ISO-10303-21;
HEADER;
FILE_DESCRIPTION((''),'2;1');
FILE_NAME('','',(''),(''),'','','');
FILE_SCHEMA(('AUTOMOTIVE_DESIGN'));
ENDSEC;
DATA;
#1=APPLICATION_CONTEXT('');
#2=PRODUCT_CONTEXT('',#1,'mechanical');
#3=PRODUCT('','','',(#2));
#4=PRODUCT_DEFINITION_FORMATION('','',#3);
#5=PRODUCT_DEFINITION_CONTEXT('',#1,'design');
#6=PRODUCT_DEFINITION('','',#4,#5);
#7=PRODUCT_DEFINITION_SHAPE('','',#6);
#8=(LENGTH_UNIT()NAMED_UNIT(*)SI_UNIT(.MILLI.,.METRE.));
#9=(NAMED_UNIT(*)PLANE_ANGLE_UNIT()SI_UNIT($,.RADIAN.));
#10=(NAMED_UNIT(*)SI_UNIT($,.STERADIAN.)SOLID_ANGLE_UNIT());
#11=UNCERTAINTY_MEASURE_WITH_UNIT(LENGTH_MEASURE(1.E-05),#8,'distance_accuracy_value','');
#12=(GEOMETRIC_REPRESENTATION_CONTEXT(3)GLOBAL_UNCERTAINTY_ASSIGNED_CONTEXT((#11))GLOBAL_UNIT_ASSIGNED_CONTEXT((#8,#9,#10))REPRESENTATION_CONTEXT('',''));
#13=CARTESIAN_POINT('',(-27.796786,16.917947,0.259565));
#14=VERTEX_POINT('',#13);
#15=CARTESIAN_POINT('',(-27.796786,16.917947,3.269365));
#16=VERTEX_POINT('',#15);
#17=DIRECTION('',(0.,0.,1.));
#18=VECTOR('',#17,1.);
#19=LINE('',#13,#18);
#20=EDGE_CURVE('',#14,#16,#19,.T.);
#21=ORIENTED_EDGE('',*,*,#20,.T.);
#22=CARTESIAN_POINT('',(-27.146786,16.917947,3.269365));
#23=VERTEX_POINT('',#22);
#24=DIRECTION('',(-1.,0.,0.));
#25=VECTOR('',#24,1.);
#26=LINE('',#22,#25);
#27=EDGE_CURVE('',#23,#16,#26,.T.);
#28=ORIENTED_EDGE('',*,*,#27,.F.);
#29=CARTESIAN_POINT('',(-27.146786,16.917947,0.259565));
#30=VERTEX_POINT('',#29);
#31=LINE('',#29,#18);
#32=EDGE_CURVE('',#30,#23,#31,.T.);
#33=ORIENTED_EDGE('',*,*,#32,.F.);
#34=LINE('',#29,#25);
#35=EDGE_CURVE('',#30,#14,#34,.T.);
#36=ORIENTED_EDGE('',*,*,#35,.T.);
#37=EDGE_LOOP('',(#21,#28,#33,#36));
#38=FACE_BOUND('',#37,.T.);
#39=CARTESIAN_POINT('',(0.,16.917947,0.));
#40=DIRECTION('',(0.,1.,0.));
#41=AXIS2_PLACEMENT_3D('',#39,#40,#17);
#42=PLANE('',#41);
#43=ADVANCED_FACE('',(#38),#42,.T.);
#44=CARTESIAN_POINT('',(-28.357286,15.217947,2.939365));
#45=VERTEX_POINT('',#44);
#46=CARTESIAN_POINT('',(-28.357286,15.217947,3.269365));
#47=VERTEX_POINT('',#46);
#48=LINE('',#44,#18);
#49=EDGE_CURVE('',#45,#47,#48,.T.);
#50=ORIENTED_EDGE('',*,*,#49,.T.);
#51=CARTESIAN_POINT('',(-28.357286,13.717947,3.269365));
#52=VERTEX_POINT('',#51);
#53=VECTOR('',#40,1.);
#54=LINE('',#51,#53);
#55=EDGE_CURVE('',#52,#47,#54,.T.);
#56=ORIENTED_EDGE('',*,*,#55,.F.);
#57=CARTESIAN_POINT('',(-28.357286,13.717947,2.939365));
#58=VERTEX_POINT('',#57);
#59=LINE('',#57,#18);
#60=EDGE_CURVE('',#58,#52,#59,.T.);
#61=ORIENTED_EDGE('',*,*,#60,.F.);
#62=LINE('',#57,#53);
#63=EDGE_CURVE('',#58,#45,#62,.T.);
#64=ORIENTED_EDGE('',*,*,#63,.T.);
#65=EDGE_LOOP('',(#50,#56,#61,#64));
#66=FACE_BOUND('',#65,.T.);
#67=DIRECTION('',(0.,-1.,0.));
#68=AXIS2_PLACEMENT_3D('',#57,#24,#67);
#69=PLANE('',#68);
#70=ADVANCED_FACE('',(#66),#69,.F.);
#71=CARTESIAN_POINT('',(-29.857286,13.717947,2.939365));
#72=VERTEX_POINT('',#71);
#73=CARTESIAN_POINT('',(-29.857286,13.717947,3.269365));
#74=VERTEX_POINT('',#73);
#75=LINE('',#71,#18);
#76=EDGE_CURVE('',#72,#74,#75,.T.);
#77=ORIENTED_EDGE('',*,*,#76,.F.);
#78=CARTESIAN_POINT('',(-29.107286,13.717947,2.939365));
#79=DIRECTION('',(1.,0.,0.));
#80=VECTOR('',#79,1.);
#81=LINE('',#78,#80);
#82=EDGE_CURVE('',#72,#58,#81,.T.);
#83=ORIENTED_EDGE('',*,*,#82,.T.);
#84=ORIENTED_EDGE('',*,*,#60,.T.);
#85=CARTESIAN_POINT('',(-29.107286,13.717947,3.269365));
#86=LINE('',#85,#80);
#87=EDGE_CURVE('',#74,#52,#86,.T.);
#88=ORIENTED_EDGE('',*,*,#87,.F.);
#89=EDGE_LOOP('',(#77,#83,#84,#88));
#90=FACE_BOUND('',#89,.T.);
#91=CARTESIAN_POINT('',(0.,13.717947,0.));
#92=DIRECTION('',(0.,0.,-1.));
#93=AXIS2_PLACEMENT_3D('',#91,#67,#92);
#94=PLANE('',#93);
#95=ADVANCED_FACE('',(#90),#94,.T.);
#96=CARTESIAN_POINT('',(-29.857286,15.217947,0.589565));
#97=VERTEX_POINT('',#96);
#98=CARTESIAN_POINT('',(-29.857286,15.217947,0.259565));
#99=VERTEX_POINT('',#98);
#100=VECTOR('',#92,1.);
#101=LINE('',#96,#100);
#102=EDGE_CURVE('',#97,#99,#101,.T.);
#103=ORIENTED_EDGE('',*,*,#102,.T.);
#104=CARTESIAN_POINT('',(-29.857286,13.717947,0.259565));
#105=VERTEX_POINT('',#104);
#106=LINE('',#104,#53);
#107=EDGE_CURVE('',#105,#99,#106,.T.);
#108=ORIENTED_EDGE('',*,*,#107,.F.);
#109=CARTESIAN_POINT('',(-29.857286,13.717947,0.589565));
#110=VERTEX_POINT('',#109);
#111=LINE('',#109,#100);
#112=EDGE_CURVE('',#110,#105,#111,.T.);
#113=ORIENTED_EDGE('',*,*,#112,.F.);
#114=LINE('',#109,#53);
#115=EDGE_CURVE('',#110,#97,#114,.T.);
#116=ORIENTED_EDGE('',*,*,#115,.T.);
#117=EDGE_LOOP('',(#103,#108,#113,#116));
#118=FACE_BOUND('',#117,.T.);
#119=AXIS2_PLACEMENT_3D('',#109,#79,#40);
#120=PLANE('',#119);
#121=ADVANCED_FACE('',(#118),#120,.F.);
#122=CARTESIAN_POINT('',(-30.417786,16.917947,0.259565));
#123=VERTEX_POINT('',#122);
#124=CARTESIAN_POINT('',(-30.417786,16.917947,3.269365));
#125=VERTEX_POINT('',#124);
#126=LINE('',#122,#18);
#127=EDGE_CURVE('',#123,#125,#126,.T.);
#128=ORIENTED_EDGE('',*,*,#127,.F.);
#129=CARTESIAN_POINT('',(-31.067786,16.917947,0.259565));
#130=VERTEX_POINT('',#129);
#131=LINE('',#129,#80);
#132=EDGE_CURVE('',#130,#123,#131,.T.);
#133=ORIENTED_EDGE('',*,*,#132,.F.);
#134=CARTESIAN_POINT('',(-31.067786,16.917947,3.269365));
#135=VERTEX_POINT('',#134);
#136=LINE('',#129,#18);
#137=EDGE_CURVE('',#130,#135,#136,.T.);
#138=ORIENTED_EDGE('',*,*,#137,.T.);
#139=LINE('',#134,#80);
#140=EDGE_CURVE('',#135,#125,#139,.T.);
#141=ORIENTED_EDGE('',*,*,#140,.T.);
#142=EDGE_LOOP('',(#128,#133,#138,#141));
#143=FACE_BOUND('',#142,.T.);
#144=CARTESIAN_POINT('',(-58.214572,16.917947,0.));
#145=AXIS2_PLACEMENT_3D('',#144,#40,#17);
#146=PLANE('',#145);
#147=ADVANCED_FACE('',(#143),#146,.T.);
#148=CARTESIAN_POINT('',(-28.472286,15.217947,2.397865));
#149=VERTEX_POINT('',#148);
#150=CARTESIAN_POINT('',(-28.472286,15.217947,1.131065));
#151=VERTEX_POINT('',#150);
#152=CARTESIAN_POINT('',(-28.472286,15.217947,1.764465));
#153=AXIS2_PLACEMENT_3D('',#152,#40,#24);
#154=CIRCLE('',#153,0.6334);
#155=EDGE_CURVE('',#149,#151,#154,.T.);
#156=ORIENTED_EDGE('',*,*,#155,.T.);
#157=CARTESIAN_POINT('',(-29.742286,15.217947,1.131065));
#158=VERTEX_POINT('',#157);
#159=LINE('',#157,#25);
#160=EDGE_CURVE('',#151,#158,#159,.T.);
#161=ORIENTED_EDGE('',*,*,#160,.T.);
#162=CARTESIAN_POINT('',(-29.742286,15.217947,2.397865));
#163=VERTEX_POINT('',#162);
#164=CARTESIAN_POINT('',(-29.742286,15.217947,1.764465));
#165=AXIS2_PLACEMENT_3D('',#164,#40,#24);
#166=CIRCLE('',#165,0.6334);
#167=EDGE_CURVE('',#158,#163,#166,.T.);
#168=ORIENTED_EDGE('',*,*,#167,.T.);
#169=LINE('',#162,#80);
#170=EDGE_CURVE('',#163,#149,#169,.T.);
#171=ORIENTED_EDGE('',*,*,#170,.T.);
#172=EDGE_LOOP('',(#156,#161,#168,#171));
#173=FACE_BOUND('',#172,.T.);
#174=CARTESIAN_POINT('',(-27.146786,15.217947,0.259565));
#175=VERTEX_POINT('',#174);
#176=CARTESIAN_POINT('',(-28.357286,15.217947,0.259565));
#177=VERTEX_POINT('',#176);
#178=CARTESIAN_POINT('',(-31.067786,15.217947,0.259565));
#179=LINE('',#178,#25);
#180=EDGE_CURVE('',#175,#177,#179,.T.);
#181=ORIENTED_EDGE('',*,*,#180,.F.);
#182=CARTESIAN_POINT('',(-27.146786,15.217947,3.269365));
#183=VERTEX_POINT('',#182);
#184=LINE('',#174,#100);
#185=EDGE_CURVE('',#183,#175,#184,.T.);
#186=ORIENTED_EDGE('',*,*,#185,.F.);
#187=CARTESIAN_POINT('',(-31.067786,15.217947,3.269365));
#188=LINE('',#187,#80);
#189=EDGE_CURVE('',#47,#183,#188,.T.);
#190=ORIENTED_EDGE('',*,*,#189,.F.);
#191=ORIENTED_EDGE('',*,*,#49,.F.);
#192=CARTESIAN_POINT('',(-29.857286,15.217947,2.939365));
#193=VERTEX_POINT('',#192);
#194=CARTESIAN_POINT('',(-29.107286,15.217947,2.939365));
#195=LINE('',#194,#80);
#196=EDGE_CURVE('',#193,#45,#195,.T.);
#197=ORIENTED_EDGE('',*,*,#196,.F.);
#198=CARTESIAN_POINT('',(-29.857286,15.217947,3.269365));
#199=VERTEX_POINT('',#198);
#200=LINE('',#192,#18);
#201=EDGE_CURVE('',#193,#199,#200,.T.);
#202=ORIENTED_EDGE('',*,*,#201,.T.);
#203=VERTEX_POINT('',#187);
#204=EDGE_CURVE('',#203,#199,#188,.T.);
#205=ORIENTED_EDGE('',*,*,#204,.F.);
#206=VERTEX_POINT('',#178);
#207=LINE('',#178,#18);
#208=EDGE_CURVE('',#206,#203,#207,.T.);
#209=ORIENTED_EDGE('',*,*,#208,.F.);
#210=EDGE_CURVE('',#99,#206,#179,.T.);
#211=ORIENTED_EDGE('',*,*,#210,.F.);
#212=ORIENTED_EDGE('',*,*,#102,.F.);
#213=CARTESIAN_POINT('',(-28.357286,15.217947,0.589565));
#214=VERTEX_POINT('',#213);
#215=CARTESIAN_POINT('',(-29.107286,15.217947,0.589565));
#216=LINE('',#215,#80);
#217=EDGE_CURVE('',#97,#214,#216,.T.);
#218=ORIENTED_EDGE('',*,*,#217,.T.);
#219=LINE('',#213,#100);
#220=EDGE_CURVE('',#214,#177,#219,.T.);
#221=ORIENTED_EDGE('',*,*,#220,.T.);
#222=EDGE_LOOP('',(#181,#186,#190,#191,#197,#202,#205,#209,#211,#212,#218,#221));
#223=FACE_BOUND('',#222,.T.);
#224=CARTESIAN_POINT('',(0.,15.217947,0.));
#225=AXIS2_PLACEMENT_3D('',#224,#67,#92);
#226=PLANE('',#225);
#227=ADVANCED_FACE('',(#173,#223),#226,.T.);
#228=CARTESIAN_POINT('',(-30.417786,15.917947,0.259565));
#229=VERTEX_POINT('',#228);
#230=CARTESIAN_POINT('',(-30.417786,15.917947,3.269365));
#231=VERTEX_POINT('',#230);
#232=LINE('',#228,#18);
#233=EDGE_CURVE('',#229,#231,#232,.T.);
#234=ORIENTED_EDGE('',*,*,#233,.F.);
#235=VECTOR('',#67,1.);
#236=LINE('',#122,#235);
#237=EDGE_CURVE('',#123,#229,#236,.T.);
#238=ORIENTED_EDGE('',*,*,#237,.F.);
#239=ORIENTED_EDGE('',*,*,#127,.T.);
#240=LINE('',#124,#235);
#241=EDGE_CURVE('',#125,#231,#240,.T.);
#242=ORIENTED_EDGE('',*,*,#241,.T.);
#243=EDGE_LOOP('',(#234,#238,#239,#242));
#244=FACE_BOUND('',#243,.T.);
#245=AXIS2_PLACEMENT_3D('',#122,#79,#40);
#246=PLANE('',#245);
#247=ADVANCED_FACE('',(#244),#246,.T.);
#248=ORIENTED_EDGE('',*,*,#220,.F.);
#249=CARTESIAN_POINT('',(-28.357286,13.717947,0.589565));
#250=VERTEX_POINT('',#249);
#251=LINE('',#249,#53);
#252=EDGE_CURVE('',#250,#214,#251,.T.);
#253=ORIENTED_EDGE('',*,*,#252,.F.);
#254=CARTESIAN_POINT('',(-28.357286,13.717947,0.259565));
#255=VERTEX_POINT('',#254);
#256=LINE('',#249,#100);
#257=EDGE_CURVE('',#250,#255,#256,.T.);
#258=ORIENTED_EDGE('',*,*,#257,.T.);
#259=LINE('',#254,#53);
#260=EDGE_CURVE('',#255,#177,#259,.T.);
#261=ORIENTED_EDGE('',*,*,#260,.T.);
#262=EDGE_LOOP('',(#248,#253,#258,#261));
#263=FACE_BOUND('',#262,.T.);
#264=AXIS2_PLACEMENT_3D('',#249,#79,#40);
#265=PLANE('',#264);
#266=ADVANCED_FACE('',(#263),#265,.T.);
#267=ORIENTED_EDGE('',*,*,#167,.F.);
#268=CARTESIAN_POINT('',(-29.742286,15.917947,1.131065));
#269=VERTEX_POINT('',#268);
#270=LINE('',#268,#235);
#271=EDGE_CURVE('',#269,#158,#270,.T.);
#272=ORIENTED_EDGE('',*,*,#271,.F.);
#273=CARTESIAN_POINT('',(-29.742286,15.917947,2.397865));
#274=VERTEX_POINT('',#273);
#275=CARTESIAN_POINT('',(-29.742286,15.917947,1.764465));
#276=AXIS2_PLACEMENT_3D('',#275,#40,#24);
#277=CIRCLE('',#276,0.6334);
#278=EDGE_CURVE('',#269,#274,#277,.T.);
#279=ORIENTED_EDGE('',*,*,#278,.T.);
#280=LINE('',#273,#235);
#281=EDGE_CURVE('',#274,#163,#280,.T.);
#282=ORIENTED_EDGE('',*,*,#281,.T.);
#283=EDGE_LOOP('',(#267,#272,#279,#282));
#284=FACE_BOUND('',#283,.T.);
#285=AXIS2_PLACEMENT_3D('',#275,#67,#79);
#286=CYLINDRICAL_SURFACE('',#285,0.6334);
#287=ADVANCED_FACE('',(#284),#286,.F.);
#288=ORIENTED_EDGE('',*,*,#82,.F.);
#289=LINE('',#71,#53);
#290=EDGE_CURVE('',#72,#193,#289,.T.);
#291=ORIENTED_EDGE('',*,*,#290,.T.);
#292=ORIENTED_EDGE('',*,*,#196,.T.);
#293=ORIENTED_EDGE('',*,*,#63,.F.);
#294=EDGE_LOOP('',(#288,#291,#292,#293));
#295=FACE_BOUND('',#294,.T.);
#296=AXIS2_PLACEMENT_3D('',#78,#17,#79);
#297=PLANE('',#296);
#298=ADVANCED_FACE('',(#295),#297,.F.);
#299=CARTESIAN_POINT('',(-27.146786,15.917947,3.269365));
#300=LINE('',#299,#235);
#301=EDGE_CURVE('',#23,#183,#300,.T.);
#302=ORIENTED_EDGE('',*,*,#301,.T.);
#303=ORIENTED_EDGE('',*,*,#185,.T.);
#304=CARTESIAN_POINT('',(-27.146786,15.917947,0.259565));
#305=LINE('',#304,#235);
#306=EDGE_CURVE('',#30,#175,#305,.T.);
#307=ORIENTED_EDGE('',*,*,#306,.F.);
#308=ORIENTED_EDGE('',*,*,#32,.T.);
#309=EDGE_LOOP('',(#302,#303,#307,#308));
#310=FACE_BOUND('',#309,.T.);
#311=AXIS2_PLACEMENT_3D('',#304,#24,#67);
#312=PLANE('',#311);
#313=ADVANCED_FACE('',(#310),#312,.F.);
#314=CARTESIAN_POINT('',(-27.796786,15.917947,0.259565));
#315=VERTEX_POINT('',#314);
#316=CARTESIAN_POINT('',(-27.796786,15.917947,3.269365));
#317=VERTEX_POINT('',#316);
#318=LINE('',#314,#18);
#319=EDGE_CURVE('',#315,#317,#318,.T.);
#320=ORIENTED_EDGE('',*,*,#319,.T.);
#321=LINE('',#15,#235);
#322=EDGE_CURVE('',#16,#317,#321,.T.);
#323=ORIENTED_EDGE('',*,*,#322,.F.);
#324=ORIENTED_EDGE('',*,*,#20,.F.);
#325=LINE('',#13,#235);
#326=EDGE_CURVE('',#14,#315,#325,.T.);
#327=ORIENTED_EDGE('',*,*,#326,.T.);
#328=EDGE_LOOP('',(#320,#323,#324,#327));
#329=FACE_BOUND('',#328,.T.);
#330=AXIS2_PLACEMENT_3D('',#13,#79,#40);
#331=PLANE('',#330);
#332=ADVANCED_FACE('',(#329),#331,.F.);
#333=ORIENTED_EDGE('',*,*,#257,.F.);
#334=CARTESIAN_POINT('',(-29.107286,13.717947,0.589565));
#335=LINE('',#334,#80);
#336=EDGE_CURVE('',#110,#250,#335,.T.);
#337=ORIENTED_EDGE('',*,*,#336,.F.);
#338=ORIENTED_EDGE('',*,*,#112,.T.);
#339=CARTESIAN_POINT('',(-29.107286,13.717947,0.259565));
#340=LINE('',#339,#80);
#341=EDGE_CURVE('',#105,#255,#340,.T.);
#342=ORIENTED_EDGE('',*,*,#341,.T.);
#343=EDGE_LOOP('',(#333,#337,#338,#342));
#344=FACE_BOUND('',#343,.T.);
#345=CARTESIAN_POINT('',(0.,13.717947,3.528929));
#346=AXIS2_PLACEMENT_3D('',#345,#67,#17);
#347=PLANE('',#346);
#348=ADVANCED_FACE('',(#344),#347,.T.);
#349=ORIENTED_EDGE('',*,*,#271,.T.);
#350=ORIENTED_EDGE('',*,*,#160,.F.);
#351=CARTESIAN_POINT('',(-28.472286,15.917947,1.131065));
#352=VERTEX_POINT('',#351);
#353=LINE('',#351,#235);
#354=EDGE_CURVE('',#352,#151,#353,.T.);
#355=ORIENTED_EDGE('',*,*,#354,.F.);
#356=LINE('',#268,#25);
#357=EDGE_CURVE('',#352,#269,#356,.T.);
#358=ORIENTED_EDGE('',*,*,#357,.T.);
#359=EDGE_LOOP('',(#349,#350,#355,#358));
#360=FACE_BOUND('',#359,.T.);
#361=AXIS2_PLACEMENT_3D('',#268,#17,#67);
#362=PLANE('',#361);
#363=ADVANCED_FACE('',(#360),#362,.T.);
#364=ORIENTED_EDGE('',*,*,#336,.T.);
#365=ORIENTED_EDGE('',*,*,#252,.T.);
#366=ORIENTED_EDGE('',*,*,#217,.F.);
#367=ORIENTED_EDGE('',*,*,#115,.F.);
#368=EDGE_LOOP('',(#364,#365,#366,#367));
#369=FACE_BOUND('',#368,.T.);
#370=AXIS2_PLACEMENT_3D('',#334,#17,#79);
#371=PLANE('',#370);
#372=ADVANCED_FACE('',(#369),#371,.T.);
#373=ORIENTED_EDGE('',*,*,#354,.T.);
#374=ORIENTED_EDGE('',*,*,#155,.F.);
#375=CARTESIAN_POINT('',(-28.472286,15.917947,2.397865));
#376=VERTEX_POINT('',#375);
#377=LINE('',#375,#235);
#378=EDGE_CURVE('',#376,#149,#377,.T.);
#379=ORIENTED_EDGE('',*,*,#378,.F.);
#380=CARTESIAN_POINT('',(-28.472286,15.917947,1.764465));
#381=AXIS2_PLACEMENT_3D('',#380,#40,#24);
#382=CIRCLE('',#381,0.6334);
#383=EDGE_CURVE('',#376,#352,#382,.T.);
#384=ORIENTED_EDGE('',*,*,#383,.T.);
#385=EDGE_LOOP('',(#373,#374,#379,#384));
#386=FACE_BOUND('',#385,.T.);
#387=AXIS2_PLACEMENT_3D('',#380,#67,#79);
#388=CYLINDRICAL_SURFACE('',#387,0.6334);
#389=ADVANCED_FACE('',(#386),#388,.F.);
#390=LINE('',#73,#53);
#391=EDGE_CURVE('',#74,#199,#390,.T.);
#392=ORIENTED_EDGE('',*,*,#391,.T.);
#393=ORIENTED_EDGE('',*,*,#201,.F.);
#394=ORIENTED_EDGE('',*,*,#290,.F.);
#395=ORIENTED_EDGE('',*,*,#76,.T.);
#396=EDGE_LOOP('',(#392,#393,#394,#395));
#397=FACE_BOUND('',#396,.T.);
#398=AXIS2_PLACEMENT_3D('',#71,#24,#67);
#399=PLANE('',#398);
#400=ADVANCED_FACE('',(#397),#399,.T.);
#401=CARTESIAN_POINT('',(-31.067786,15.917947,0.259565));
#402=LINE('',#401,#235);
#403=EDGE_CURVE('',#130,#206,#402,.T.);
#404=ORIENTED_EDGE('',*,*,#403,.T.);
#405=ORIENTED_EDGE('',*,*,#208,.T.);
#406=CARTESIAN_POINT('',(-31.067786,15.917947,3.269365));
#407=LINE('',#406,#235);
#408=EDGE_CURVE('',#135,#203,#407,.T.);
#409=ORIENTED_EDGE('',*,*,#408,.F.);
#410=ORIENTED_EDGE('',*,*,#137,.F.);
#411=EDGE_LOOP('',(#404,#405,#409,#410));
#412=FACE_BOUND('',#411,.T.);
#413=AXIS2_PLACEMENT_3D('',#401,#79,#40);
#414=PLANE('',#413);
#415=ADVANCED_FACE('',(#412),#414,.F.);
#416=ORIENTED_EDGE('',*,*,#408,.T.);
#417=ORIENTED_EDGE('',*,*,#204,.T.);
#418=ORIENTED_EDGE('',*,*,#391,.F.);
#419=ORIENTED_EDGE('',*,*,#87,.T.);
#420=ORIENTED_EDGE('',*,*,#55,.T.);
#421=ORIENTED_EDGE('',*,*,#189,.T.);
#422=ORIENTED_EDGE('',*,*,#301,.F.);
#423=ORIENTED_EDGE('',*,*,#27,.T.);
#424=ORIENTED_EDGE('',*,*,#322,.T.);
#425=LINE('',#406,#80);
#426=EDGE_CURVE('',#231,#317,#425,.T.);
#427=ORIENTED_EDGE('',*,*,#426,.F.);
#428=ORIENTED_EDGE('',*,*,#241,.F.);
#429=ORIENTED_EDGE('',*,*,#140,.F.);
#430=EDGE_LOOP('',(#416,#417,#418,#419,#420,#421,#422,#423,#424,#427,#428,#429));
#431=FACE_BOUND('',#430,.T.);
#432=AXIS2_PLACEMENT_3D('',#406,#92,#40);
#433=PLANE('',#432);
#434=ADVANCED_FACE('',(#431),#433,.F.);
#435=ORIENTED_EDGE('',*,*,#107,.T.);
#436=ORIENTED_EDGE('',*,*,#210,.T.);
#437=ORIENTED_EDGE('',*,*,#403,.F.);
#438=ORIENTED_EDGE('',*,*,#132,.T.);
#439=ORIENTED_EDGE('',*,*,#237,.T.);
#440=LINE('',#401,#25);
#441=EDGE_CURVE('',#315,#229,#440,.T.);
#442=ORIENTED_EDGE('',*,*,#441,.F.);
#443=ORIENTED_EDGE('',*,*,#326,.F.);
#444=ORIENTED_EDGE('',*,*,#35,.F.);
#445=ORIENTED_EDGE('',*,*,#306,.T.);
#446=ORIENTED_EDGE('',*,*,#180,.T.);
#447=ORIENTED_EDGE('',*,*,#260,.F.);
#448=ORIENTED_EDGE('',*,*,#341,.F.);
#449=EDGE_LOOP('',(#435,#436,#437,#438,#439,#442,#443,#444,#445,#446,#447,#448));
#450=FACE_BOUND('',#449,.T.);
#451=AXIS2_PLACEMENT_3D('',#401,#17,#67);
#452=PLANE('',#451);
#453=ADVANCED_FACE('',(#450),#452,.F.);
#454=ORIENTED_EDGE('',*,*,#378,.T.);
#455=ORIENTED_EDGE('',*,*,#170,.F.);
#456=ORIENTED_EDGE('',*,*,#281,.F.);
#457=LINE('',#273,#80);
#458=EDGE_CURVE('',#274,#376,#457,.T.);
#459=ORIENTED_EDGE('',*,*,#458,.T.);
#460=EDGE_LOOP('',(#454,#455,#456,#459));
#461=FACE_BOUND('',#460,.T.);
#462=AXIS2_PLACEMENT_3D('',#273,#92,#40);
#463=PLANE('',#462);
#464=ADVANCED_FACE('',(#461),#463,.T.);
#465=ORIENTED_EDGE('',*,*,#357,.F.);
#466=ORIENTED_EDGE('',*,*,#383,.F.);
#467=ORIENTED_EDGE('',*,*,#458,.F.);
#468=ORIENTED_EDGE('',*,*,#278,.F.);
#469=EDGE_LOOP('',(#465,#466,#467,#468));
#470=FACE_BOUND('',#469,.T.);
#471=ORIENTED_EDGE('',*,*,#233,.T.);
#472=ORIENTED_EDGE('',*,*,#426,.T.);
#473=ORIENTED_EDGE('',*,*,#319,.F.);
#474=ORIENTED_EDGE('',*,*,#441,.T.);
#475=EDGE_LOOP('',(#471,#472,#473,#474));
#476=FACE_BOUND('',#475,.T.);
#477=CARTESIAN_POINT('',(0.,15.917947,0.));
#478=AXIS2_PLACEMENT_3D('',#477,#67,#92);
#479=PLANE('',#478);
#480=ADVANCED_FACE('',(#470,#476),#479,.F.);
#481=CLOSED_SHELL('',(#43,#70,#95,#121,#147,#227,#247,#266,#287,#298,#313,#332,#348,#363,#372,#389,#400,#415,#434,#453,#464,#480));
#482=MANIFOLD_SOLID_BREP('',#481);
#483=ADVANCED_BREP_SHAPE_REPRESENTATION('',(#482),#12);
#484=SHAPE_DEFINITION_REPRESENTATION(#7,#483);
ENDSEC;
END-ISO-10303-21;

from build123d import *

# Parameters (mm, degrees)
SKETCH1_W               = 3.0098
SKETCH1_H               = 3.921
BOSS_EXTRUDE1_DEPTH     = 0.7
SKETCH4_W               = 0.33
SKETCH4_H               = 0.75
BOSS_EXTRUDE2_DEPTH     = 1.5
MIRROR9_COPY_1_SKETCH_W = 0.33
MIRROR9_COPY_1_SKETCH_H = 0.75
MIRROR9_COPY_1_DEPTH    = 1.5
SKETCH5_W               = 3.0098
SKETCH5_H               = 0.65
BOSS_EXTRUDE3_DEPTH     = 1


with BuildPart() as part:
    # Sketch1 → Boss-Extrude1 (new body)
    with BuildSketch(Plane.ZX.offset(15.217946538)):
        with Locations((1.764464597, -29.107286197)):
            Rectangle(SKETCH1_W, SKETCH1_H)
        with BuildLine():
            Line((1.131064597, -29.742286197), (1.131064597, -28.472286197))
            ThreePointArc((1.131064597, -28.472286197), (1.764464597, -27.838886197), (2.397864597, -28.472286197))
            Line((2.397864597, -28.472286197), (2.397864597, -29.742286197))
            ThreePointArc((2.397864597, -29.742286197), (1.764464597, -30.375686197), (1.131064597, -29.742286197))
        make_face(mode=Mode.SUBTRACT)
    extrude(amount=BOSS_EXTRUDE1_DEPTH)

    # Sketch4 → Boss-Extrude2 (add)
    with BuildSketch(Plane(origin=(0, 15.217946538, 0), x_dir=(0, 0, -1), z_dir=(0, -1, 0))):
        with Locations((-3.104364597, -28.732286197)):
            Rectangle(SKETCH4_W, SKETCH4_H)
    boss_extrude2 = extrude(amount=BOSS_EXTRUDE2_DEPTH)

    # Mirror8: Boss-Extrude2 across plane
    add(boss_extrude2.mirror(Plane.XY.offset(1.764464597)))

    # Mirror9: Boss-Extrude2 across plane
    add(boss_extrude2.mirror(Plane(origin=(-29.107286197, 13.717946538, 0.589564597), x_dir=(0, 0, 1), z_dir=(1, 0, 0))))

    # Mirror9 copy 1 sketch → Mirror9 copy 1 (add)
    with BuildSketch(Plane(origin=(-58.214572393, 15.217946538, 3.528929194), x_dir=(0, 0, 1), z_dir=(0, -1, 0))):
        with Locations((-3.104364597, -28.732286197)):
            Rectangle(MIRROR9_COPY_1_SKETCH_W, MIRROR9_COPY_1_SKETCH_H)
    extrude(amount=MIRROR9_COPY_1_DEPTH)

    # Sketch5 → Boss-Extrude3 (add)
    with BuildSketch(Plane.ZX.offset(15.917946538)):
        with Locations((1.764464597, -27.471786197)):
            Rectangle(SKETCH5_W, SKETCH5_H)
    boss_extrude3 = extrude(amount=BOSS_EXTRUDE3_DEPTH)

    # Mirror10: Boss-Extrude3 across plane
    add(boss_extrude3.mirror(Plane(origin=(-29.107286197, 0, 0), x_dir=(0, 0, 1), z_dir=(1, 0, 0))))


solid = part.part
